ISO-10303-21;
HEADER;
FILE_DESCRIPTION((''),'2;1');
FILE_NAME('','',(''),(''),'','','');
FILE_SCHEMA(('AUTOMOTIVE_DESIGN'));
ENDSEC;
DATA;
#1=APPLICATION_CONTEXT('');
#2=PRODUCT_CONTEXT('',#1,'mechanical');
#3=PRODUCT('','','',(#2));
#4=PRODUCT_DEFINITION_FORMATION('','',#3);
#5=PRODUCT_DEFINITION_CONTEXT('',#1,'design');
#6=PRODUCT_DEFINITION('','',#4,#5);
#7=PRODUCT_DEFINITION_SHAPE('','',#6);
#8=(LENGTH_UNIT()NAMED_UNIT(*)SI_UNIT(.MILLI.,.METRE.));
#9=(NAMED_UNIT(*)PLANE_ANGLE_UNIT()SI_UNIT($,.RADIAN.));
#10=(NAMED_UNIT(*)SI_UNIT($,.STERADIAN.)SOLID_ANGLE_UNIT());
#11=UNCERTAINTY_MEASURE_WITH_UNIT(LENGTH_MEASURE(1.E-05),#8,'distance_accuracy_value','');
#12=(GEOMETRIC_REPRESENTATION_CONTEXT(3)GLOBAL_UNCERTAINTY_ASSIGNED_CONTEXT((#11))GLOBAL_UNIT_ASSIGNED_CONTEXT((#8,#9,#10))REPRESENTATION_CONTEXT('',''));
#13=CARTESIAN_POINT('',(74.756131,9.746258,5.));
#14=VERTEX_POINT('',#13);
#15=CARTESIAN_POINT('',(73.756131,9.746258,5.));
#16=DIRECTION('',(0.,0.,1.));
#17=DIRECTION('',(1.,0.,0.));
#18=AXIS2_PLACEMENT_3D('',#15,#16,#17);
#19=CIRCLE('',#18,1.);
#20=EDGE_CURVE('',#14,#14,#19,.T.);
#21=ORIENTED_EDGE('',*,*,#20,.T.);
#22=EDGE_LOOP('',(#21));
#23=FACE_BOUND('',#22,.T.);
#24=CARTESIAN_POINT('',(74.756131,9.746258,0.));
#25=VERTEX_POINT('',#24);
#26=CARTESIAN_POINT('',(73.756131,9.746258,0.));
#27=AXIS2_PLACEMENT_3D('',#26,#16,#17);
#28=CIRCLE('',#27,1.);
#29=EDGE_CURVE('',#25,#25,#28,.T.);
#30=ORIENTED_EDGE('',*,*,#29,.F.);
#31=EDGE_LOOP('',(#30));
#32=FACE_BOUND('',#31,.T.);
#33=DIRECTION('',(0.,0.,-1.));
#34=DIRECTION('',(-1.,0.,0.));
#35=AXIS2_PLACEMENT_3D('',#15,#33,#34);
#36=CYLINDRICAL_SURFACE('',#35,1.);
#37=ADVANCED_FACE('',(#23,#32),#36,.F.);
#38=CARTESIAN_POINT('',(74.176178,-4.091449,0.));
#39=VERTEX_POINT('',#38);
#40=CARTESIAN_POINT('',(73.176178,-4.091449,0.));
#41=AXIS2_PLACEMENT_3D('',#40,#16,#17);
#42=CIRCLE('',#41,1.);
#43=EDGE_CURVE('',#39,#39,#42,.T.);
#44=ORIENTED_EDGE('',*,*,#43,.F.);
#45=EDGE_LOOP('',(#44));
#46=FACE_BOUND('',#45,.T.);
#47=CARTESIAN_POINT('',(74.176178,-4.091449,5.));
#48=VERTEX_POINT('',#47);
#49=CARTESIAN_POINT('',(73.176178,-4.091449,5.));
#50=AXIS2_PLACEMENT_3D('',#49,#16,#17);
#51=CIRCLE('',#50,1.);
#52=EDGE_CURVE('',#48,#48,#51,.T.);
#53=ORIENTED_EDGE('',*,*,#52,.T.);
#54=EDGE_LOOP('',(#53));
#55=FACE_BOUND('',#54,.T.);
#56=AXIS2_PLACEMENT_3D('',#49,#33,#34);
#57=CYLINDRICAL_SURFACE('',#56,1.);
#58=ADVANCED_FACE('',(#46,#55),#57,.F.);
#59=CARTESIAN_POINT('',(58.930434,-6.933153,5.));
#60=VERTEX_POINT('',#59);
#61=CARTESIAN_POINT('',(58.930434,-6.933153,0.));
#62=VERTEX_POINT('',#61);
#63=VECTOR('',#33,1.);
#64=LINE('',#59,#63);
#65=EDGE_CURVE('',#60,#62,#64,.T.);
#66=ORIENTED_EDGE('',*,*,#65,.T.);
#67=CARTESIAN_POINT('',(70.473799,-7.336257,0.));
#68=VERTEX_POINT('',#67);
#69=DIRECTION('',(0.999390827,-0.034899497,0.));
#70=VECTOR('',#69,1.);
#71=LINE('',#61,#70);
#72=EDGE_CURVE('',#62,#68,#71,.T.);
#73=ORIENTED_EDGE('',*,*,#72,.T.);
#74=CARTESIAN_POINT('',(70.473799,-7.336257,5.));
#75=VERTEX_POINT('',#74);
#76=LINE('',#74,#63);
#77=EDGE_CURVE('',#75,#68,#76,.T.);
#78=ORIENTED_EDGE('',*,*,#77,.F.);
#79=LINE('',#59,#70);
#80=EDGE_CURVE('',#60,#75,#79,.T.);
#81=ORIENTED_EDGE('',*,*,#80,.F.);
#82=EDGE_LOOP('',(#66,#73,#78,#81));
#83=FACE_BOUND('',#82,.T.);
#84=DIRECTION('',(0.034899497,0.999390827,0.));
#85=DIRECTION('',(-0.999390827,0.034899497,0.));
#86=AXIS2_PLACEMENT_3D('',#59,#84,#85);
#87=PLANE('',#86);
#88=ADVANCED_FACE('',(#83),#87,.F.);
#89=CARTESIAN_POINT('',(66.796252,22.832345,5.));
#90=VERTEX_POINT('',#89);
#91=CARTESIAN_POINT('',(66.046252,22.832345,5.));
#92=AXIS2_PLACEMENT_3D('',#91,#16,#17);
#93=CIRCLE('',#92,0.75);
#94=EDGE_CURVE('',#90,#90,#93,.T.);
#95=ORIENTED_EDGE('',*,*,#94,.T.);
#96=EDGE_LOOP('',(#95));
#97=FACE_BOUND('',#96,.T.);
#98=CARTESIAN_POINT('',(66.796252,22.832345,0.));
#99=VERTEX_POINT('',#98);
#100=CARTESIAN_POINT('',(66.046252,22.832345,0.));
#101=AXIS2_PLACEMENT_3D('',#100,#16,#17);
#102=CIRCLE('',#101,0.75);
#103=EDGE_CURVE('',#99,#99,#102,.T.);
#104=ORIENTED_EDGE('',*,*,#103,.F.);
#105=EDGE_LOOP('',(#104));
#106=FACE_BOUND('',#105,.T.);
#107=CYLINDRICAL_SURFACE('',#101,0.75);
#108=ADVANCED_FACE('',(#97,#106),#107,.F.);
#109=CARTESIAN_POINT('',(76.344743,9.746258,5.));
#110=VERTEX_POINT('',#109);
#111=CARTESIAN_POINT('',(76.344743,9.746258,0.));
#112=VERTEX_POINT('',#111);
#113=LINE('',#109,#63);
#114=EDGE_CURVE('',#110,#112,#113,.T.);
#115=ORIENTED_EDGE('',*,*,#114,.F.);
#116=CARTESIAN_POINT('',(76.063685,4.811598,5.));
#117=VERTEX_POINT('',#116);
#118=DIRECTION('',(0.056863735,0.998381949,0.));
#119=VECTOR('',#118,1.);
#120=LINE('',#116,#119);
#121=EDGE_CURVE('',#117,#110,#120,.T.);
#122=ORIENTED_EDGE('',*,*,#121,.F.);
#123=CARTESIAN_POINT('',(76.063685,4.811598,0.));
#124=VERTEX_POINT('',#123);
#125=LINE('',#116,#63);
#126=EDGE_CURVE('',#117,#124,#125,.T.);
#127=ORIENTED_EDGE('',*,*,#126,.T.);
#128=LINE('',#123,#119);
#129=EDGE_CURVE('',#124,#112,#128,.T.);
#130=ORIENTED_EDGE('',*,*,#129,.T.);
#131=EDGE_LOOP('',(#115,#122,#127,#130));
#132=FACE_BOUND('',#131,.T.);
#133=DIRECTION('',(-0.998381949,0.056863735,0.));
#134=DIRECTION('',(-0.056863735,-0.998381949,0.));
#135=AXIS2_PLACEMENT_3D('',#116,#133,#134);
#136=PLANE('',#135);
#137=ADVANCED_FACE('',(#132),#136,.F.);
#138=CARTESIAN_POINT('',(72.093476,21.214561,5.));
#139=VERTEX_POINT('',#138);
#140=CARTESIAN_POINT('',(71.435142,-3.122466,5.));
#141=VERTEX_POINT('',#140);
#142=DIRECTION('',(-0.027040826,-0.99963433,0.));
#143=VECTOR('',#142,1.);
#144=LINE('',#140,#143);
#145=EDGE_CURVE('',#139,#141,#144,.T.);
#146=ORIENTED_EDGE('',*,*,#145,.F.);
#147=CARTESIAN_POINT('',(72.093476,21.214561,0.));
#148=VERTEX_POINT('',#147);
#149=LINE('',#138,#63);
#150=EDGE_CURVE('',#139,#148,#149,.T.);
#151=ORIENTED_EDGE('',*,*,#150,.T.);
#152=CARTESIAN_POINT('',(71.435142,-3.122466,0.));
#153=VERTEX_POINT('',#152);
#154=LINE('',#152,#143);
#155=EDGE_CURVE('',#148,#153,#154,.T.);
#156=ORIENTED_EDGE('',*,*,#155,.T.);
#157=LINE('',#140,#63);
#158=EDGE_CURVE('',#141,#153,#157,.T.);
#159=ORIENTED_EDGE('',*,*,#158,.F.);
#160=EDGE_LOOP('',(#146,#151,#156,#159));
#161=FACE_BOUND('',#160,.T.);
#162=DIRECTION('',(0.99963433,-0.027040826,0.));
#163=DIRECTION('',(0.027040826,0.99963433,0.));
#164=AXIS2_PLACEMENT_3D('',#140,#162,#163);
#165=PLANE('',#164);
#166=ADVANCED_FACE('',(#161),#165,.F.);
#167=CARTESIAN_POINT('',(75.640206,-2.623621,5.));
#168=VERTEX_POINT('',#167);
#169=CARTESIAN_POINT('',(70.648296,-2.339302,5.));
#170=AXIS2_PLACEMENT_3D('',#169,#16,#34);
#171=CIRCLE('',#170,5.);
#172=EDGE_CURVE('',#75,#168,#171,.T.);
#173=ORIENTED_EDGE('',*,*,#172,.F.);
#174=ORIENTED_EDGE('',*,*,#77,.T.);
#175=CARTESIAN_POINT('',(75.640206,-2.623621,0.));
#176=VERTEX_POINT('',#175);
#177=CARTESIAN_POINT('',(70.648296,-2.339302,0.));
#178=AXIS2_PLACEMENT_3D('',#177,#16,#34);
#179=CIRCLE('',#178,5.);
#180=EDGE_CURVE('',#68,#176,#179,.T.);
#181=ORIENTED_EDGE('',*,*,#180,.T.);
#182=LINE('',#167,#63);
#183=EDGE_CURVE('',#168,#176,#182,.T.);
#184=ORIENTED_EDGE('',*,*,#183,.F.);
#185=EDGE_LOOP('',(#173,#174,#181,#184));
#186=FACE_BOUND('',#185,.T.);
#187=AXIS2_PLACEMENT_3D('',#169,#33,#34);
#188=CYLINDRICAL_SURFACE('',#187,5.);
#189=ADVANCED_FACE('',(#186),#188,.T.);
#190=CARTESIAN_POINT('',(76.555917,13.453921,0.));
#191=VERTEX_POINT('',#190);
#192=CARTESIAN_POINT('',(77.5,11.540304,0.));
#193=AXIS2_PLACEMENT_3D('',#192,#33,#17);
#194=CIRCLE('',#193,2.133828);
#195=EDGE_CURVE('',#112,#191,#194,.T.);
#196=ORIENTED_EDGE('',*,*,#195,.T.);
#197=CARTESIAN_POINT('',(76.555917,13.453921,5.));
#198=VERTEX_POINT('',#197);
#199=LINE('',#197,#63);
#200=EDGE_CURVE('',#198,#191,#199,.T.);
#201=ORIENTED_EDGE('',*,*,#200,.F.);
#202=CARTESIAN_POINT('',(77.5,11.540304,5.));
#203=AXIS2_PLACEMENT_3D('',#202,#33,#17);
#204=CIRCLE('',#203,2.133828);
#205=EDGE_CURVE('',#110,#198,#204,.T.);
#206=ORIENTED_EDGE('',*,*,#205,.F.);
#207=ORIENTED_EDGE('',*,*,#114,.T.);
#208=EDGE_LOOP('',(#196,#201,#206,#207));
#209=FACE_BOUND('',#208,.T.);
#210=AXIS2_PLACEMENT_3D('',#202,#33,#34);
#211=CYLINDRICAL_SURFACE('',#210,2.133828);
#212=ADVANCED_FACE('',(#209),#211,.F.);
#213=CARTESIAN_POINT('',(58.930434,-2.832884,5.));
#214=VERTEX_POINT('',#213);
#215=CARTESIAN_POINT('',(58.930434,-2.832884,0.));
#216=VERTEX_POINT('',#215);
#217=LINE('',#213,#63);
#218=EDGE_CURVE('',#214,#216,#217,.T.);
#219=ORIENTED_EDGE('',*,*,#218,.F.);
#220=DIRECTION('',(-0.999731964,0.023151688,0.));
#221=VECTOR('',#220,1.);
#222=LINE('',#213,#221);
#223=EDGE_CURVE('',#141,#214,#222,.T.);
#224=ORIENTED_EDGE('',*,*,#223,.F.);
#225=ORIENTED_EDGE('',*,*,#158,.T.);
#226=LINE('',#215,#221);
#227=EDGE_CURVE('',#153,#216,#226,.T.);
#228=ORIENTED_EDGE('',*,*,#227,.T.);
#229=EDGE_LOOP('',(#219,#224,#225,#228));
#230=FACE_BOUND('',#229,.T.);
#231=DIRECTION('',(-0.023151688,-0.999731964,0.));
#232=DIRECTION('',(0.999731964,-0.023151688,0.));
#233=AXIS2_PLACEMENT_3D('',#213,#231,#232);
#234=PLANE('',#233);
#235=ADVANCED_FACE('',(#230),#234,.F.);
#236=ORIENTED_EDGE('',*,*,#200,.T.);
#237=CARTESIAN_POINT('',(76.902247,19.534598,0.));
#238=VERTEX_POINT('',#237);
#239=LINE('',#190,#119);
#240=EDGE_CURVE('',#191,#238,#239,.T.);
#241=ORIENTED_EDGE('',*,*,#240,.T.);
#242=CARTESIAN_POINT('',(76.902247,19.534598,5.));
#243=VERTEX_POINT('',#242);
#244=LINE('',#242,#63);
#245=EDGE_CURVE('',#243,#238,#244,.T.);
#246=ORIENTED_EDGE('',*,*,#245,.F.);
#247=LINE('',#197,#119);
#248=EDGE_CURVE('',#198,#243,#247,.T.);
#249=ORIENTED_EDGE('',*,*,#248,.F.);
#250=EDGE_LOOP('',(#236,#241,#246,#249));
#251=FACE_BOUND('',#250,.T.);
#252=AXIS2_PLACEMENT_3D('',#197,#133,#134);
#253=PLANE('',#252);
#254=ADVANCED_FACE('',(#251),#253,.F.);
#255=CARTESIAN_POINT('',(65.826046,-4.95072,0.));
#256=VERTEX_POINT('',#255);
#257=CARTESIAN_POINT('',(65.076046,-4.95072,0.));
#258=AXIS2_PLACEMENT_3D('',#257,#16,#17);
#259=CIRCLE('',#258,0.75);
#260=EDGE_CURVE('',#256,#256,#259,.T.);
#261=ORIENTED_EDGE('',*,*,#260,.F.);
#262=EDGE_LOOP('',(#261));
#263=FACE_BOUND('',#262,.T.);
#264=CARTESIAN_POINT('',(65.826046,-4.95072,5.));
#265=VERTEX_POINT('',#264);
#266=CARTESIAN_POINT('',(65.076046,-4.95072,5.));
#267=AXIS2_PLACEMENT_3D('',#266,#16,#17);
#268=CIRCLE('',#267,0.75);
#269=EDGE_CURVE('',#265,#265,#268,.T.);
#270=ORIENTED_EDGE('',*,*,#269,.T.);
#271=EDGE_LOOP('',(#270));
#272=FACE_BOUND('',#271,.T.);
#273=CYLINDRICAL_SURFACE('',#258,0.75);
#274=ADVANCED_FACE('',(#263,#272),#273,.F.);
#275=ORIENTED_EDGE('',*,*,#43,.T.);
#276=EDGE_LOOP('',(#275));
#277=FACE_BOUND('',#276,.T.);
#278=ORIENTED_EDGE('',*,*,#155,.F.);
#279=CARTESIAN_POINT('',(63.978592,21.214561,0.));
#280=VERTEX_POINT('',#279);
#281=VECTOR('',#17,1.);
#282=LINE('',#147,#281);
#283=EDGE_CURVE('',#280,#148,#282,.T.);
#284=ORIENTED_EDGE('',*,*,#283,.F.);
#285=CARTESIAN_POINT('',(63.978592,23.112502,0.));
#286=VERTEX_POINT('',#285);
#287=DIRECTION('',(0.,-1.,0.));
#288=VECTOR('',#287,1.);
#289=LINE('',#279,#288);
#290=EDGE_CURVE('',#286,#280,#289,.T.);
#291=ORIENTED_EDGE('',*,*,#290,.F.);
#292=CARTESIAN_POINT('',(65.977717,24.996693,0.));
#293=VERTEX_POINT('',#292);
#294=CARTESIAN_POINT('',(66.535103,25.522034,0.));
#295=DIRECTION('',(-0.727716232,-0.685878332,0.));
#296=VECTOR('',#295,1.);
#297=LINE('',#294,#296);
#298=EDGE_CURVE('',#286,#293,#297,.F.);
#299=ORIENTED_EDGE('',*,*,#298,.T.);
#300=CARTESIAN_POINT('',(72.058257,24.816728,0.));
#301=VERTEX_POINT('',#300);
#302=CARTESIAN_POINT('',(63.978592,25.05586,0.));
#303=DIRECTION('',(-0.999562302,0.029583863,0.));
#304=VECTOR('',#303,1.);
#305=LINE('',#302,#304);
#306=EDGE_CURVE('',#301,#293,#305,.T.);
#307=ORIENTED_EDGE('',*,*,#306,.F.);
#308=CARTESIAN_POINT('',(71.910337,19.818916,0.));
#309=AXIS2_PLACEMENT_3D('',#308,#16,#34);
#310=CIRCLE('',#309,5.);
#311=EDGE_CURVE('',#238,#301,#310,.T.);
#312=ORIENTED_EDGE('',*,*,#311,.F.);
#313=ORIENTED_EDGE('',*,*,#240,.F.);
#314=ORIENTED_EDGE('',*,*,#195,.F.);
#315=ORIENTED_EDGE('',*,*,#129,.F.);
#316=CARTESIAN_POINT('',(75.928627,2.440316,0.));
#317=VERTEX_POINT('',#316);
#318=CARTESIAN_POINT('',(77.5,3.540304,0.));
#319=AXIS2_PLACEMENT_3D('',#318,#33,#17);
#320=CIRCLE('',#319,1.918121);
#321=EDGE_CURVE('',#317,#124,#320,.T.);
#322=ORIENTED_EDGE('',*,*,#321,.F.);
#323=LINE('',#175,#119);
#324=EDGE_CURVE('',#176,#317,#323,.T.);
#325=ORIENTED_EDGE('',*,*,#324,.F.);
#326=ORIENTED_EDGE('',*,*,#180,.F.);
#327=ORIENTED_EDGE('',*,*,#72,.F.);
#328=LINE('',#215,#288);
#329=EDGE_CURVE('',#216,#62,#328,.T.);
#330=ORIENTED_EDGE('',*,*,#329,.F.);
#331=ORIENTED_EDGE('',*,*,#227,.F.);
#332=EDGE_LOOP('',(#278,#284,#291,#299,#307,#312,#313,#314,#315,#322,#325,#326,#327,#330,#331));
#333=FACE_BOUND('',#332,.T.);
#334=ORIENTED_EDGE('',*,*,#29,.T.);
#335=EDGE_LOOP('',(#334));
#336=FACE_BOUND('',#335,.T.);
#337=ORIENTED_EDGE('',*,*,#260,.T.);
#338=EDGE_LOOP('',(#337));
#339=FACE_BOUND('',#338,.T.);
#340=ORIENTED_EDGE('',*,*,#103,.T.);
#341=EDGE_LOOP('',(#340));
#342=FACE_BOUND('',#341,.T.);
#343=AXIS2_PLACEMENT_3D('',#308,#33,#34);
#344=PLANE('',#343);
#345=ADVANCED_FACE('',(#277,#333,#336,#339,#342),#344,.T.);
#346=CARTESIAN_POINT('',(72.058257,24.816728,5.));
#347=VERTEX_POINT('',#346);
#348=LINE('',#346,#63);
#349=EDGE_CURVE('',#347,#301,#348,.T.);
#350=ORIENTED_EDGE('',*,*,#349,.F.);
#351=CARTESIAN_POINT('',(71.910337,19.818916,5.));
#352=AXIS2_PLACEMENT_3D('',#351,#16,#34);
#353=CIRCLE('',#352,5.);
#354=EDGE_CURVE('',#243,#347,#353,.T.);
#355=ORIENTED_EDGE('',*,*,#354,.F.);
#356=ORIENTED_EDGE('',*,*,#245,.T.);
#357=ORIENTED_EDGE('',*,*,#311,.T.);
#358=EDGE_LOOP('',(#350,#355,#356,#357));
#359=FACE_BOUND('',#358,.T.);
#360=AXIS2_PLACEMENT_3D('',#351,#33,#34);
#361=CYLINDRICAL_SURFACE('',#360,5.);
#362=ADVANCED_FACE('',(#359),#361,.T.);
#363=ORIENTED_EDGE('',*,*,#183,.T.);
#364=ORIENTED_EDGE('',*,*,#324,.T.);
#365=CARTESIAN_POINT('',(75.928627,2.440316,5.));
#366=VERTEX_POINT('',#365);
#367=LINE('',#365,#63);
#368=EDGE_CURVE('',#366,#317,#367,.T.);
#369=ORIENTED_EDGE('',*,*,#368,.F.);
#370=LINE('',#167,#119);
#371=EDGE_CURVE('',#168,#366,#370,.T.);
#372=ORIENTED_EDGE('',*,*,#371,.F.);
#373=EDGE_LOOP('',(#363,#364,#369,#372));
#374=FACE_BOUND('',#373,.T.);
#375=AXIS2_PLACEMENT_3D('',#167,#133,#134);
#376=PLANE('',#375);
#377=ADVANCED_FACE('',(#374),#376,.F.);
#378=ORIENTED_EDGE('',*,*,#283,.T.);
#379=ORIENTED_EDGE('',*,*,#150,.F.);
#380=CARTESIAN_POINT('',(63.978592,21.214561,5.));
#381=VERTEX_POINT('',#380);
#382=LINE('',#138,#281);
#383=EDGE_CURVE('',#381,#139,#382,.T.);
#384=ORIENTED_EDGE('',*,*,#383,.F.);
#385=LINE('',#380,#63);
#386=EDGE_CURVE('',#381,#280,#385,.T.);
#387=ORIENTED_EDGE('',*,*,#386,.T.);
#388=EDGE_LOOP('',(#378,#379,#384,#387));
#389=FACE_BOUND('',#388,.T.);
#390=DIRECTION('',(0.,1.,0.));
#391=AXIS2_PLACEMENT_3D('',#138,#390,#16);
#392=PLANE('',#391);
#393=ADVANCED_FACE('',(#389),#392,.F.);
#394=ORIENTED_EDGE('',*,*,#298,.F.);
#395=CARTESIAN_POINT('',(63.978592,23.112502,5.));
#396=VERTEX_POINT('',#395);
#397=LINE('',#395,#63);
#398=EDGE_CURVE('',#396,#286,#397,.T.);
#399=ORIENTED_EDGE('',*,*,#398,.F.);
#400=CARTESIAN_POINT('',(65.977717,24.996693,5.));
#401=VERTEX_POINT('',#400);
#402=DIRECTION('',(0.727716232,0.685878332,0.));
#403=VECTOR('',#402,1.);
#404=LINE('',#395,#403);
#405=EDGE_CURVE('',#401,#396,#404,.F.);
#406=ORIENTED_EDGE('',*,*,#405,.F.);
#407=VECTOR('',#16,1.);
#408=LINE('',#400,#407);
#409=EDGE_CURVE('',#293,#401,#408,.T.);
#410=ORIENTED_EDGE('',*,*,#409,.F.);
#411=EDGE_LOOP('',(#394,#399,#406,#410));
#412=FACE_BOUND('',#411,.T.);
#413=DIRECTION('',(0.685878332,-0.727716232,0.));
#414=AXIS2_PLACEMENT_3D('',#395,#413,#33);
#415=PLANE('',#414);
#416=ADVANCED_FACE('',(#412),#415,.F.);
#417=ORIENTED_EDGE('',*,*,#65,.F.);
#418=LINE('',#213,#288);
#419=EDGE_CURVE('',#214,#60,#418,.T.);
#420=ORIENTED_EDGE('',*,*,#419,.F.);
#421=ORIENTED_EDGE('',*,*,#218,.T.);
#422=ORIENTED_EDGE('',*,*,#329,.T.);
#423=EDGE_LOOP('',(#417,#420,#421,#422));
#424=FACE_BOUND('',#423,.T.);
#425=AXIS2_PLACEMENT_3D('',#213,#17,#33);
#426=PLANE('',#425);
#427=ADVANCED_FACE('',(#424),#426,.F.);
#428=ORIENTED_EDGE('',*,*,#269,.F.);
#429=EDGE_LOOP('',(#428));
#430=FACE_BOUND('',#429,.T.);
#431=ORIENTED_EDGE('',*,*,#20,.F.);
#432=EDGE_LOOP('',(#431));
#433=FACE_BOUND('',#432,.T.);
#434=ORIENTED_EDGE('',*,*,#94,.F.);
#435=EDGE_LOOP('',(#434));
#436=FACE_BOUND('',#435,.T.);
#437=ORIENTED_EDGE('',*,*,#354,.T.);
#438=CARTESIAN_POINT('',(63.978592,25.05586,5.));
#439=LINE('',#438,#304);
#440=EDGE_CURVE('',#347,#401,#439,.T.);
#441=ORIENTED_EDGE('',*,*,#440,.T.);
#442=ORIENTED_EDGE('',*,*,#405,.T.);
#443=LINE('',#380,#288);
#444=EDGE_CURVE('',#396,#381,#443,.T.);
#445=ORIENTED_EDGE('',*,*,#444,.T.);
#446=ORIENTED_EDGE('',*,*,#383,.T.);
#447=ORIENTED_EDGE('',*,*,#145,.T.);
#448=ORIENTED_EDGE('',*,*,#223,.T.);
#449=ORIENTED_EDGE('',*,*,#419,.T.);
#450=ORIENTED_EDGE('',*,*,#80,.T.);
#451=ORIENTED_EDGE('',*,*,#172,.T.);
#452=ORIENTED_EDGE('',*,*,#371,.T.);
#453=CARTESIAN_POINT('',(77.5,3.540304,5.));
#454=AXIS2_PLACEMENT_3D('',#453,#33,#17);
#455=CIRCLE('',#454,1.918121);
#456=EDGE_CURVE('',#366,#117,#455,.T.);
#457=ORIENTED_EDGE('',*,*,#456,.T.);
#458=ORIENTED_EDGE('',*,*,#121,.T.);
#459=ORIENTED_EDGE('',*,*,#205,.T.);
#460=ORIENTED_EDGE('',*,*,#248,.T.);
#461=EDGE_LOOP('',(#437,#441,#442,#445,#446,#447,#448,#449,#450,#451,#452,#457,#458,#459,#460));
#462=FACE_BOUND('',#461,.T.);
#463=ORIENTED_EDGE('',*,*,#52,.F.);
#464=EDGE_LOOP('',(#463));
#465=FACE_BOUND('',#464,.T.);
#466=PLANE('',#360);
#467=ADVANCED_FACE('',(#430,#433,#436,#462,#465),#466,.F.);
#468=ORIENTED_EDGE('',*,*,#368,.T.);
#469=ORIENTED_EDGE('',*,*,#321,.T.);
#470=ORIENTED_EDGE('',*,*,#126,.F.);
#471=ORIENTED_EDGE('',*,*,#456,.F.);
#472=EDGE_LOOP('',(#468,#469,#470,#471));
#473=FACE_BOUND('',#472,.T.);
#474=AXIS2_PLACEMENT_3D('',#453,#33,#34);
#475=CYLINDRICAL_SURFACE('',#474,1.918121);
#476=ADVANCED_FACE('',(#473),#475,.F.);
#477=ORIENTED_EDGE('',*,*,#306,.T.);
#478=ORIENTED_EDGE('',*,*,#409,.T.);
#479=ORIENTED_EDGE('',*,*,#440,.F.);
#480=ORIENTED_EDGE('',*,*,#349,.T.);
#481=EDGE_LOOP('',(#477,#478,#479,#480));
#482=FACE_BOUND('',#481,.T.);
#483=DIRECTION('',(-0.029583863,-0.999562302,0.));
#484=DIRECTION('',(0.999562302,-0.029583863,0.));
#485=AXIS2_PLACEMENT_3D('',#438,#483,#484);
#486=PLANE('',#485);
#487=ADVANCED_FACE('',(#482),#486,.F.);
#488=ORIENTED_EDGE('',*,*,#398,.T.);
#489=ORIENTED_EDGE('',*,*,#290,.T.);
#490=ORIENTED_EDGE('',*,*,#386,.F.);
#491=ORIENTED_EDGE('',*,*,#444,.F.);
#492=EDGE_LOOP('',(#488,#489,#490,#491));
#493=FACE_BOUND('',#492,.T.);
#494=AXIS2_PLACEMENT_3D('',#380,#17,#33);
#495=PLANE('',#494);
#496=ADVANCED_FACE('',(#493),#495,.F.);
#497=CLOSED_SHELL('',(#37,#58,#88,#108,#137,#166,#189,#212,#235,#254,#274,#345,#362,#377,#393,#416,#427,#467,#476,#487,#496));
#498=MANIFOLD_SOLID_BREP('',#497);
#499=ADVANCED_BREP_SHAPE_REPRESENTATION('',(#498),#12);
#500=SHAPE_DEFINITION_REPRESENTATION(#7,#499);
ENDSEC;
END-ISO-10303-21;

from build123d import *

# Parameters (mm, degrees)
SKETCH1_R           = 1
BOSS_EXTRUDE1_DEPTH = 5
SKETCH2_R           = 0.75
CUT_EXTRUDE1_DEPTH  = 5
CHAMFER1_SIZE2      = 2
CHAMFER1_SIZE       = 1.943358552


with BuildPart() as part:
    # Sketch1 → Boss-Extrude1 (new body)
    with BuildSketch(Plane.XY):
        with BuildLine():
            Line((63.978592029, 21.214561498), (63.978592029, 25.05586024))
            Line((63.978592029, 25.05586024), (72.058256518, 24.816727889))
            ThreePointArc((72.058256518, 24.816727889), (75.595399687, 23.198311963), (76.902246949, 19.534597706))
            Line((76.902246949, 19.534597706), (76.555916572, 13.453920838))
            ThreePointArc((76.555916572, 13.453920838), (75.36962468, 11.661641728), (76.3447433, 9.746257553))
            Line((76.3447433, 9.746257553), (76.063685342, 4.811597648))
            ThreePointArc((76.063685342, 4.811597648), (75.584983034, 3.649375801), (75.928626908, 2.440316493))
            Line((75.928626908, 2.440316493), (75.640205821, -2.623621136))
            ThreePointArc((75.640205821, -2.623621136), (74.017880394, -6.033338403), (70.473798594, -7.336256597))
            Line((70.473798594, -7.336256597), (58.930433709, -6.933153413))
            Line((58.930433709, -6.933153413), (58.930433709, -2.832883595))
            Line((58.930433709, -2.832883595), (71.435141734, -3.122466307))
            Line((71.435141734, -3.122466307), (72.093475791, 21.214561498))
            Line((72.093475791, 21.214561498), (63.978592029, 21.214561498))
        make_face()
        with Locations((73.176178498, -4.091448782)):
            Circle(SKETCH1_R, mode=Mode.SUBTRACT)
        with Locations((73.756130882, 9.746257553)):
            Circle(SKETCH1_R, mode=Mode.SUBTRACT)
    extrude(amount=BOSS_EXTRUDE1_DEPTH)

    # Sketch2 → Cut-Extrude1 (cut)
    with BuildSketch(Plane.XY.offset(5)):
        with Locations((65.076045823, -4.950719542)):
            Circle(SKETCH2_R)
        with Locations((66.046251832, 22.832345449)):
            Circle(SKETCH2_R)
    extrude(amount=-CUT_EXTRUDE1_DEPTH, mode=Mode.SUBTRACT)

    # Chamfer1
    chamfer1_edges = [part.edges().sort_by_distance(p)[0] for p in [
        (63.978592029, 25.05586024, 2.5),
    ]]
    chamfer(chamfer1_edges, length=CHAMFER1_SIZE, length2=CHAMFER1_SIZE2)


solid = part.part
